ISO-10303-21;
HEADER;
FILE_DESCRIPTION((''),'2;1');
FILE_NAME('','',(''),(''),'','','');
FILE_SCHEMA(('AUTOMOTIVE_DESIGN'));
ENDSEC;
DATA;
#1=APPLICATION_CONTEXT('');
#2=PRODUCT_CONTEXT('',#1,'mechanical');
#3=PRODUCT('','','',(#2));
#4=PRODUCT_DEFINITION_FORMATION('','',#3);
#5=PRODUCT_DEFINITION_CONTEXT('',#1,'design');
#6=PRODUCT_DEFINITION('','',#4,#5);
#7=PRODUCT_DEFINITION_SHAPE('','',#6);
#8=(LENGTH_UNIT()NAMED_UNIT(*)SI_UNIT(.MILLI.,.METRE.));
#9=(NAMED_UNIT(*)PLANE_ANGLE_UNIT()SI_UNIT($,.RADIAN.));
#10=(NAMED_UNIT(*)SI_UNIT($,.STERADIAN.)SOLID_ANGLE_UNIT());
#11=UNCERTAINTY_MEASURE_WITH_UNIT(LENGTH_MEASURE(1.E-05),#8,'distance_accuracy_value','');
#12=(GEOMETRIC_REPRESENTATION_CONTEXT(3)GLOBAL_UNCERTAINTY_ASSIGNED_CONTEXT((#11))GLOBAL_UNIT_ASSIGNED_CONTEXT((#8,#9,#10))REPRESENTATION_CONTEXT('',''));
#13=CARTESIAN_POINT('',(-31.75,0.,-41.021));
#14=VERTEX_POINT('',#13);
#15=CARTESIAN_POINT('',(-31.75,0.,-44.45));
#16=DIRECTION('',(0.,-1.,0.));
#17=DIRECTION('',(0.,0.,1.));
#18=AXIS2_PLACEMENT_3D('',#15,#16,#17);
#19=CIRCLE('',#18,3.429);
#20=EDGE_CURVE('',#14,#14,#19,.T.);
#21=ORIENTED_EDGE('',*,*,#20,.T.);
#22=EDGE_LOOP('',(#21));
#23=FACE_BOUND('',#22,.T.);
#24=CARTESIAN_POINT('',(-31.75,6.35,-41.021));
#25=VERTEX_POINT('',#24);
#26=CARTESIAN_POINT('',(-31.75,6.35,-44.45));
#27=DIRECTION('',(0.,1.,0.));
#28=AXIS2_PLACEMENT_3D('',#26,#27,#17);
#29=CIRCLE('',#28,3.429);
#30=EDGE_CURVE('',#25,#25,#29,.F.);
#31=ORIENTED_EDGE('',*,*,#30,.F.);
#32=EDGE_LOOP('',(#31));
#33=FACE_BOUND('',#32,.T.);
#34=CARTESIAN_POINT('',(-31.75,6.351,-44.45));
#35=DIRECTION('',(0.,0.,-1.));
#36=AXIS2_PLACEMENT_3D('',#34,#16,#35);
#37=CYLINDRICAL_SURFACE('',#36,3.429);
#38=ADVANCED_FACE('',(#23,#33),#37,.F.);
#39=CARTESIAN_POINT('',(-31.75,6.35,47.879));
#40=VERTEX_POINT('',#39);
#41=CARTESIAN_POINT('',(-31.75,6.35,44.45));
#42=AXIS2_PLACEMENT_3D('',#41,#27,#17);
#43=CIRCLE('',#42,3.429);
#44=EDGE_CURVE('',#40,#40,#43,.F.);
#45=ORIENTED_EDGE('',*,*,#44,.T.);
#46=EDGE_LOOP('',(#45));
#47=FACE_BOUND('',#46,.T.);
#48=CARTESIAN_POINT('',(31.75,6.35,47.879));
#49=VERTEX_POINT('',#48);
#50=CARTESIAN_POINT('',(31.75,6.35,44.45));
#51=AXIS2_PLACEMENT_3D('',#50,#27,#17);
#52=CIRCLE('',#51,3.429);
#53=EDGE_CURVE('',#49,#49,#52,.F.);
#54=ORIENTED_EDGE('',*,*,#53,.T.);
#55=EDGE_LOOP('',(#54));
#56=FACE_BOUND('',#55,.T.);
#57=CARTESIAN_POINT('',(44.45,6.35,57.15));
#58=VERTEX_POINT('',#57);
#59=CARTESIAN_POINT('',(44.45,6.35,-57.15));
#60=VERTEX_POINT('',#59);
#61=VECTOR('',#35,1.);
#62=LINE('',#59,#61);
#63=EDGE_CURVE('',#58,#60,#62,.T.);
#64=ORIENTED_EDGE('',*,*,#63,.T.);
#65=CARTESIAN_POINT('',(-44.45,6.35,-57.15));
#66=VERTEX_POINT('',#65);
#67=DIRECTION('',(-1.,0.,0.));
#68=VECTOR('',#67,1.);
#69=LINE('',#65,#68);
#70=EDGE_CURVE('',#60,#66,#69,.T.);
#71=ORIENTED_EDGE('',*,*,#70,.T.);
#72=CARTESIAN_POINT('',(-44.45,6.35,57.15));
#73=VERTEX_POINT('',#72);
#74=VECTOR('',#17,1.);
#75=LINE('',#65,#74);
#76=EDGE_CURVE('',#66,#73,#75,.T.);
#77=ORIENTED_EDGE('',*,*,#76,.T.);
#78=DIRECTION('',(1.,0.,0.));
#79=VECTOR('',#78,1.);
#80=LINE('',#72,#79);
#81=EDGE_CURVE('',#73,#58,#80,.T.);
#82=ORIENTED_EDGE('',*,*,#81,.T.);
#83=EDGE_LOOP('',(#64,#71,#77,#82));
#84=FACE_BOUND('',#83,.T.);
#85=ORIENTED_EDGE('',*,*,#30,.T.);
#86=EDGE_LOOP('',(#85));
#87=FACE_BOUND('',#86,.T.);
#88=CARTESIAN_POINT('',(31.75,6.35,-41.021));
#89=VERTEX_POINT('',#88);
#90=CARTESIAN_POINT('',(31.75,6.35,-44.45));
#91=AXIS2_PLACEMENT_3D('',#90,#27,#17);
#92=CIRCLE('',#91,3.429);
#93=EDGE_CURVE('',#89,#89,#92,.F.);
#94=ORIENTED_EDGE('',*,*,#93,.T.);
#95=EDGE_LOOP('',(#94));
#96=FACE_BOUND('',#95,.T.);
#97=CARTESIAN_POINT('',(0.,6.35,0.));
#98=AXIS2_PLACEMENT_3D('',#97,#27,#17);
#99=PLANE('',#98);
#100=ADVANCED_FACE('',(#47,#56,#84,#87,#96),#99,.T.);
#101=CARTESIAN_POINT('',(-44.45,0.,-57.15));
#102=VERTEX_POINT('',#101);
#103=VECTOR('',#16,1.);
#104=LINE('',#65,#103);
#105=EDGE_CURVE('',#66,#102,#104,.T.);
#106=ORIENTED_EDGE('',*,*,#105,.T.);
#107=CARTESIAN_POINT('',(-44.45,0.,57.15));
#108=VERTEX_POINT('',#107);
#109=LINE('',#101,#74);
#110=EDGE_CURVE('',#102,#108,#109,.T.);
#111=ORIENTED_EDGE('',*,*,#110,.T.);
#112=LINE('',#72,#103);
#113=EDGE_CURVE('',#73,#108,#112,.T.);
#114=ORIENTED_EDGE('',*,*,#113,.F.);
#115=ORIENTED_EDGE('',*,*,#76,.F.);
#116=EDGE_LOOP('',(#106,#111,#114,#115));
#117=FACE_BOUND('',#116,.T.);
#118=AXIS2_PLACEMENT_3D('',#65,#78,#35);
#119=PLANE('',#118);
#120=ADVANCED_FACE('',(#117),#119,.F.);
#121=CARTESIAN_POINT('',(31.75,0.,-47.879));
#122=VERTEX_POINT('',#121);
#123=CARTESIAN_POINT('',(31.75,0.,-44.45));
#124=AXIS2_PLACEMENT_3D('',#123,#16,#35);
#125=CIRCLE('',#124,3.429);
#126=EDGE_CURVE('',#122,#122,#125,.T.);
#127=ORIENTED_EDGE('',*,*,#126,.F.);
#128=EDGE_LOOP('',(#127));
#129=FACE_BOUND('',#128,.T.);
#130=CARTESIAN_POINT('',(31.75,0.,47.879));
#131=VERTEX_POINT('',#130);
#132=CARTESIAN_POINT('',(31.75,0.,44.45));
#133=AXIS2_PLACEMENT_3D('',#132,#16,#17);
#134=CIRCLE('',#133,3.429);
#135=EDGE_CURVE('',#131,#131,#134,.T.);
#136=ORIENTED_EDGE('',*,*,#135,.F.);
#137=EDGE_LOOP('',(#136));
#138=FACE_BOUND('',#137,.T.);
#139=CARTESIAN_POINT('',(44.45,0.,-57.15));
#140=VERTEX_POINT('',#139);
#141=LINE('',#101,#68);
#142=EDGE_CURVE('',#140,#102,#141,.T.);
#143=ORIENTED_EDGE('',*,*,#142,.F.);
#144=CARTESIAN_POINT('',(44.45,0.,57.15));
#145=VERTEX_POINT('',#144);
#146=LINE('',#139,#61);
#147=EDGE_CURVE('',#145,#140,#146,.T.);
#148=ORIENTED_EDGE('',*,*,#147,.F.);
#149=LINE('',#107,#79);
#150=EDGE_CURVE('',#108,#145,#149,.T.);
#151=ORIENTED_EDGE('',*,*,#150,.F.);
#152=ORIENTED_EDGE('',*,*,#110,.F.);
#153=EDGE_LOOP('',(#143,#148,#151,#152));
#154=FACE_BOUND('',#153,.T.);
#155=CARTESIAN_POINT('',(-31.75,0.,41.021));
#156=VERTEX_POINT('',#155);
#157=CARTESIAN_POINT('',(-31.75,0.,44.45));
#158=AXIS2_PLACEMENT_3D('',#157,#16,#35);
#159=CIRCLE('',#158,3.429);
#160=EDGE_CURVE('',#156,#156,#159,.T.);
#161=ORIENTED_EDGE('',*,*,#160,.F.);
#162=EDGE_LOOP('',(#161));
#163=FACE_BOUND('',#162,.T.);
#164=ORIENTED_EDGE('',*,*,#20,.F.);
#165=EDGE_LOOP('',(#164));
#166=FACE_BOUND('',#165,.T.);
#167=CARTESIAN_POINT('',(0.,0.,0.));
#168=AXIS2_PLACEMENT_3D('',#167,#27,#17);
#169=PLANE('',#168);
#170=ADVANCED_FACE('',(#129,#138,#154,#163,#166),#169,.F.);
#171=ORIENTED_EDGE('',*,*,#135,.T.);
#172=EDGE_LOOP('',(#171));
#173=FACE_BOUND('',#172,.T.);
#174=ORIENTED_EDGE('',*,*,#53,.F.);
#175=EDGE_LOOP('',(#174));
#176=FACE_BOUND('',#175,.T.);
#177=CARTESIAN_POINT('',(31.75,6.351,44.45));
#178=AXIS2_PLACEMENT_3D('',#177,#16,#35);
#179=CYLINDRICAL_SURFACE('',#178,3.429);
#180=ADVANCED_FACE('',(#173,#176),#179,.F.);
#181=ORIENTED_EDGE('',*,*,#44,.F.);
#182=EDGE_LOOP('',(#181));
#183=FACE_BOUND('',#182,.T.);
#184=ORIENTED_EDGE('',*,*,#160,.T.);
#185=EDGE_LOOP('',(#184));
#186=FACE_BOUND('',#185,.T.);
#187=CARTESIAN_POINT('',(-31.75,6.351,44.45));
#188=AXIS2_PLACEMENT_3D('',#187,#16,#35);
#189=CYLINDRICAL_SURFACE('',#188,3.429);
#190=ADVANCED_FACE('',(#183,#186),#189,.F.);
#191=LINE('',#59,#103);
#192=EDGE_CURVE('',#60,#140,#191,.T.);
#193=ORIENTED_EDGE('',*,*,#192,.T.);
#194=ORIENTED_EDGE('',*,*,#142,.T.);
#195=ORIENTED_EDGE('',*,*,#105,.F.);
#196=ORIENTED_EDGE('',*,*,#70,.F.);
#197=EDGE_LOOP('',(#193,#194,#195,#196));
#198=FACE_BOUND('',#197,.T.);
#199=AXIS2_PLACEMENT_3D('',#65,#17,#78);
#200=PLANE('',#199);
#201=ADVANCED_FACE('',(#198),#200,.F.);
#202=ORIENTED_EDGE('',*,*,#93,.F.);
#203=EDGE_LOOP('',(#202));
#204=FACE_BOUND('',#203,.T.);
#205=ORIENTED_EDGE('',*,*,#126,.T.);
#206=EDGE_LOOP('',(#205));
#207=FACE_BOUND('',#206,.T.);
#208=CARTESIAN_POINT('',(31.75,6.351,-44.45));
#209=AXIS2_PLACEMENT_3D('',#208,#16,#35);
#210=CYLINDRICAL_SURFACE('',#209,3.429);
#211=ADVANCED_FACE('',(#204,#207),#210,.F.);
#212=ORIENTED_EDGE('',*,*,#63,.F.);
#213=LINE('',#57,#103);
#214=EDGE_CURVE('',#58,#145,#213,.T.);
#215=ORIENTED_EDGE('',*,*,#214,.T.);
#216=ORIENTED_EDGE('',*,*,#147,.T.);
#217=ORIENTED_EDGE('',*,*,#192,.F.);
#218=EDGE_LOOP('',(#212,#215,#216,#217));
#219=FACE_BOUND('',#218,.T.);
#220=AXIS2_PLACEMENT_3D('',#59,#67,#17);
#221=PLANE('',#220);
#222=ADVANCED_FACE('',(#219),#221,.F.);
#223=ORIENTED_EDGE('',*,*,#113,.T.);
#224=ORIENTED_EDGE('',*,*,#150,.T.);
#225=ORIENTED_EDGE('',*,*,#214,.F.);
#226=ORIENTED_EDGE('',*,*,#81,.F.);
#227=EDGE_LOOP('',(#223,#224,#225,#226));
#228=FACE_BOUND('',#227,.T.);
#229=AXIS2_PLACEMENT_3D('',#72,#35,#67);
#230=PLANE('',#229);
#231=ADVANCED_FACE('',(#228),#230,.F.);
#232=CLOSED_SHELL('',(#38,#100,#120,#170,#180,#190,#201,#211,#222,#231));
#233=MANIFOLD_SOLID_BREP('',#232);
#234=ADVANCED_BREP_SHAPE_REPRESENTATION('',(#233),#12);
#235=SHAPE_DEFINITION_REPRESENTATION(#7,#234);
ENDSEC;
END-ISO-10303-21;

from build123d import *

# Parameters (mm, degrees)
SKETCH1_W           = 88.9
SKETCH1_H           = 114.3
BOSS_EXTRUDE1_DEPTH = 6.35
CUT_EXTRUDE2_REACH  = 74.679
SKETCH3_R           = 3.429


with BuildPart() as part:
    # Sketch1 → Boss-Extrude1 (new body)
    with BuildSketch(Plane(origin=(0, 0, 0), x_dir=(1, 0, 0), z_dir=(0, 1, 0))):
        Rectangle(SKETCH1_W, SKETCH1_H)
    extrude(amount=BOSS_EXTRUDE1_DEPTH)

    # Sketch3 → Cut-Extrude2 (cut, up to next)
    with BuildSketch(Plane.XZ, mode=Mode.PRIVATE) as cut_extrude2_sk1:
        with Locations(Location((-31.75, 44.45, 0), (0, 0, 270))):
            Circle(SKETCH3_R)
    cut_extrude2_tool1 = extrude(cut_extrude2_sk1.sketch, amount=-CUT_EXTRUDE2_REACH, mode=Mode.PRIVATE) & part.part
    # Sketch3 → Cut-Extrude2 (cut, up to next)
    with BuildSketch(Plane.XZ, mode=Mode.PRIVATE) as cut_extrude2_sk2:
        with Locations(Location((-31.75, -44.45, 0), (0, 0, 90))):
            Circle(SKETCH3_R)
    cut_extrude2_tool2 = extrude(cut_extrude2_sk2.sketch, amount=-CUT_EXTRUDE2_REACH, mode=Mode.PRIVATE) & part.part
    # Sketch3 → Cut-Extrude2 (cut, up to next)
    with BuildSketch(Plane.XZ, mode=Mode.PRIVATE) as cut_extrude2_sk3:
        with Locations(Location((31.75, 44.45, 0), (0, 0, 90))):
            Circle(SKETCH3_R)
    cut_extrude2_tool3 = extrude(cut_extrude2_sk3.sketch, amount=-CUT_EXTRUDE2_REACH, mode=Mode.PRIVATE) & part.part
    # Sketch3 → Cut-Extrude2 (cut, up to next)
    with BuildSketch(Plane.XZ, mode=Mode.PRIVATE) as cut_extrude2_sk4:
        with Locations(Location((31.75, -44.45, 0), (0, 0, 270))):
            Circle(SKETCH3_R)
    cut_extrude2_tool4 = extrude(cut_extrude2_sk4.sketch, amount=-CUT_EXTRUDE2_REACH, mode=Mode.PRIVATE) & part.part
    add(cut_extrude2_tool1.solids().sort_by_distance((-31.75, 0, 44.45))[0], mode=Mode.SUBTRACT)
    add(cut_extrude2_tool2.solids().sort_by_distance((-31.75, 0, -44.45))[0], mode=Mode.SUBTRACT)
    add(cut_extrude2_tool3.solids().sort_by_distance((31.75, 0, 44.45))[0], mode=Mode.SUBTRACT)
    add(cut_extrude2_tool4.solids().sort_by_distance((31.75, 0, -44.45))[0], mode=Mode.SUBTRACT)


solid = part.part
